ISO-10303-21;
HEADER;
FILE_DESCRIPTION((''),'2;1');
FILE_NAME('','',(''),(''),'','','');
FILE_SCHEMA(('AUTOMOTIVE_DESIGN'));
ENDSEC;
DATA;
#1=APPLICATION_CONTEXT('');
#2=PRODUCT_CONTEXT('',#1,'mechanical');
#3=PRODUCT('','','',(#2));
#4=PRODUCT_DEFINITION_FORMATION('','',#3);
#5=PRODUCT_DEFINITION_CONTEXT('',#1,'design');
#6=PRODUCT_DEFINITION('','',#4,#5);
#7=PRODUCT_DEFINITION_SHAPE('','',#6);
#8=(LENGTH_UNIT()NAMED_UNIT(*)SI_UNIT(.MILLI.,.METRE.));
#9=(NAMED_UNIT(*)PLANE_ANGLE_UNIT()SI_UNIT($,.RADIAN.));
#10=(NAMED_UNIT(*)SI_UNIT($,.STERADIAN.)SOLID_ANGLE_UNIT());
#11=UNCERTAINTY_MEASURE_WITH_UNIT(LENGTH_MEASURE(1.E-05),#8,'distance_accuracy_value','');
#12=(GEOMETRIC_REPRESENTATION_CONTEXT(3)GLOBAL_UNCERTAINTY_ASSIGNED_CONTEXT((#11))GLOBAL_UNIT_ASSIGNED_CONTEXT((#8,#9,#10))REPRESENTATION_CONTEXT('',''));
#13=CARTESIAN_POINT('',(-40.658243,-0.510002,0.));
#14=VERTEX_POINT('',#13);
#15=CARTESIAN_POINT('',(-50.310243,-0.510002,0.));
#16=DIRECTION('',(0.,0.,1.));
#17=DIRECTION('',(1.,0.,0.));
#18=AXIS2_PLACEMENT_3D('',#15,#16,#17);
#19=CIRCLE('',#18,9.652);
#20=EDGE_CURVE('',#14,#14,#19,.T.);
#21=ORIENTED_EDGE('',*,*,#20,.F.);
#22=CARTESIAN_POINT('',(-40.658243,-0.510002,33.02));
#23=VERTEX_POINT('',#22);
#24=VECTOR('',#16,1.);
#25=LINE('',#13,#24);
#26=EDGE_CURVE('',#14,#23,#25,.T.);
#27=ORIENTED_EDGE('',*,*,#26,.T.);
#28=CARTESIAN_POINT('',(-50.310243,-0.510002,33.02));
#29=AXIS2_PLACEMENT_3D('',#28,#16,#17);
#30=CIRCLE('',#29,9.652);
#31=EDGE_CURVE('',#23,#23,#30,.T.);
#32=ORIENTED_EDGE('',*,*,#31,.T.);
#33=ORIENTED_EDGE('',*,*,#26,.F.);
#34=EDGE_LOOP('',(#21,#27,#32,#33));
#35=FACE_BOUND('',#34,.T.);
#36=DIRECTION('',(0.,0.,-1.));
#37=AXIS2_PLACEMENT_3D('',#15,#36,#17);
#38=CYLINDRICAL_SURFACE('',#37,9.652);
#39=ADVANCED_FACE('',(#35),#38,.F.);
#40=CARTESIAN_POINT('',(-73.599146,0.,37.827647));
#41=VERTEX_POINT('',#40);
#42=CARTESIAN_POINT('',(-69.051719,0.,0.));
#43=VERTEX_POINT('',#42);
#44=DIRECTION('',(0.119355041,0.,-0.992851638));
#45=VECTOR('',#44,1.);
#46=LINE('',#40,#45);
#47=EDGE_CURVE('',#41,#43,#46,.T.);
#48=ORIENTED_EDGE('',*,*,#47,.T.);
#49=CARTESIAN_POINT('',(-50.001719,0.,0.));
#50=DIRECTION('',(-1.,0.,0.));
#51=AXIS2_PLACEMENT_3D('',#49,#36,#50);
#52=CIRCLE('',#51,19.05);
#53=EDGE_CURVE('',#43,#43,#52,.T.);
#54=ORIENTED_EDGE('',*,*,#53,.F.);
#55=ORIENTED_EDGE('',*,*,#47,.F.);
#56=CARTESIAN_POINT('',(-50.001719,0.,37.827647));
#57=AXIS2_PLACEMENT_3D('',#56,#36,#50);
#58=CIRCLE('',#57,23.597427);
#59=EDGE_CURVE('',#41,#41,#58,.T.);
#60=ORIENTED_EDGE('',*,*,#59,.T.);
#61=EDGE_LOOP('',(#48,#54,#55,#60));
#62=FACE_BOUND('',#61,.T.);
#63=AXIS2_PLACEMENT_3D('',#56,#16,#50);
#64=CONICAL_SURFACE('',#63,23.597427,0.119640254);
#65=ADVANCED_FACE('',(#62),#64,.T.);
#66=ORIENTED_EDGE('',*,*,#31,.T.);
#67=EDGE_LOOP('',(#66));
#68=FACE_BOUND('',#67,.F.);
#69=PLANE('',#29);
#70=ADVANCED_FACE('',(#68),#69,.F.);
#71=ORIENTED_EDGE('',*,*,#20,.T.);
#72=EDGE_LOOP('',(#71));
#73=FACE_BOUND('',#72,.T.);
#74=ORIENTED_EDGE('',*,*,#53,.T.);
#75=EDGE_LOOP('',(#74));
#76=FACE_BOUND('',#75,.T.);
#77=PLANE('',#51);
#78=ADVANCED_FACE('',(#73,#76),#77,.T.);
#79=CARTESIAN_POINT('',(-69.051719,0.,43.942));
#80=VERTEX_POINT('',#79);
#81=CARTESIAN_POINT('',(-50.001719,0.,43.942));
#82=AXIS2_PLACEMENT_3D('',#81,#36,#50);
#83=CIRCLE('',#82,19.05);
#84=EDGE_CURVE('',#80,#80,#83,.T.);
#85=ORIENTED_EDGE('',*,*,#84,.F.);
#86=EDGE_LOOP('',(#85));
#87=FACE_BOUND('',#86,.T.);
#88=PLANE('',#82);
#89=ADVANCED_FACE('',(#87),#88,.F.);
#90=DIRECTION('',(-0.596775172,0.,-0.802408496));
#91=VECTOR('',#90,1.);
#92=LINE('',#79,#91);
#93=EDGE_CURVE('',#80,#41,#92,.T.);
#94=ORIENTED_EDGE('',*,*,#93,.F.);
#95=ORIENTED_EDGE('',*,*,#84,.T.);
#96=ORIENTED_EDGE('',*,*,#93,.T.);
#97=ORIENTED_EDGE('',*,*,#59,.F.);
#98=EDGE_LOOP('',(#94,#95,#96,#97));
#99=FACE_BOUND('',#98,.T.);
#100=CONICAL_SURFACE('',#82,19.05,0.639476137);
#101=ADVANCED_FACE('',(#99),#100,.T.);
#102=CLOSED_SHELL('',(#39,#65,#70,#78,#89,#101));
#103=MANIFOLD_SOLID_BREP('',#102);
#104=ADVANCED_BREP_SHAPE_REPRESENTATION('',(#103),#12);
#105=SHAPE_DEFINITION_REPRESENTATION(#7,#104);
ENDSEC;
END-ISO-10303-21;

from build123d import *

# Parameters (mm, degrees)
F2_R     = 9.652
F3_DEPTH = 33.02


with BuildPart() as f1:
    # F0 (on Front) → F1 (revolve)
    with BuildSketch(Plane.XZ):
        Polygon((-69.051719, 0), (-50.001719, 0), (-50.001719, 43.942), (-69.051719, 43.942), (-73.599146, 37.827647), align=None)
    revolve(axis=Axis((-50.001719, 0, 21.971), (0, 0, -1)))

    # F2 (on Top) → F3 (cut)
    with BuildSketch(Plane.XY):
        with Locations((-50.310243, -0.510002)):
            Circle(F2_R)
    extrude(amount=F3_DEPTH, mode=Mode.SUBTRACT)


solid = f1.part
